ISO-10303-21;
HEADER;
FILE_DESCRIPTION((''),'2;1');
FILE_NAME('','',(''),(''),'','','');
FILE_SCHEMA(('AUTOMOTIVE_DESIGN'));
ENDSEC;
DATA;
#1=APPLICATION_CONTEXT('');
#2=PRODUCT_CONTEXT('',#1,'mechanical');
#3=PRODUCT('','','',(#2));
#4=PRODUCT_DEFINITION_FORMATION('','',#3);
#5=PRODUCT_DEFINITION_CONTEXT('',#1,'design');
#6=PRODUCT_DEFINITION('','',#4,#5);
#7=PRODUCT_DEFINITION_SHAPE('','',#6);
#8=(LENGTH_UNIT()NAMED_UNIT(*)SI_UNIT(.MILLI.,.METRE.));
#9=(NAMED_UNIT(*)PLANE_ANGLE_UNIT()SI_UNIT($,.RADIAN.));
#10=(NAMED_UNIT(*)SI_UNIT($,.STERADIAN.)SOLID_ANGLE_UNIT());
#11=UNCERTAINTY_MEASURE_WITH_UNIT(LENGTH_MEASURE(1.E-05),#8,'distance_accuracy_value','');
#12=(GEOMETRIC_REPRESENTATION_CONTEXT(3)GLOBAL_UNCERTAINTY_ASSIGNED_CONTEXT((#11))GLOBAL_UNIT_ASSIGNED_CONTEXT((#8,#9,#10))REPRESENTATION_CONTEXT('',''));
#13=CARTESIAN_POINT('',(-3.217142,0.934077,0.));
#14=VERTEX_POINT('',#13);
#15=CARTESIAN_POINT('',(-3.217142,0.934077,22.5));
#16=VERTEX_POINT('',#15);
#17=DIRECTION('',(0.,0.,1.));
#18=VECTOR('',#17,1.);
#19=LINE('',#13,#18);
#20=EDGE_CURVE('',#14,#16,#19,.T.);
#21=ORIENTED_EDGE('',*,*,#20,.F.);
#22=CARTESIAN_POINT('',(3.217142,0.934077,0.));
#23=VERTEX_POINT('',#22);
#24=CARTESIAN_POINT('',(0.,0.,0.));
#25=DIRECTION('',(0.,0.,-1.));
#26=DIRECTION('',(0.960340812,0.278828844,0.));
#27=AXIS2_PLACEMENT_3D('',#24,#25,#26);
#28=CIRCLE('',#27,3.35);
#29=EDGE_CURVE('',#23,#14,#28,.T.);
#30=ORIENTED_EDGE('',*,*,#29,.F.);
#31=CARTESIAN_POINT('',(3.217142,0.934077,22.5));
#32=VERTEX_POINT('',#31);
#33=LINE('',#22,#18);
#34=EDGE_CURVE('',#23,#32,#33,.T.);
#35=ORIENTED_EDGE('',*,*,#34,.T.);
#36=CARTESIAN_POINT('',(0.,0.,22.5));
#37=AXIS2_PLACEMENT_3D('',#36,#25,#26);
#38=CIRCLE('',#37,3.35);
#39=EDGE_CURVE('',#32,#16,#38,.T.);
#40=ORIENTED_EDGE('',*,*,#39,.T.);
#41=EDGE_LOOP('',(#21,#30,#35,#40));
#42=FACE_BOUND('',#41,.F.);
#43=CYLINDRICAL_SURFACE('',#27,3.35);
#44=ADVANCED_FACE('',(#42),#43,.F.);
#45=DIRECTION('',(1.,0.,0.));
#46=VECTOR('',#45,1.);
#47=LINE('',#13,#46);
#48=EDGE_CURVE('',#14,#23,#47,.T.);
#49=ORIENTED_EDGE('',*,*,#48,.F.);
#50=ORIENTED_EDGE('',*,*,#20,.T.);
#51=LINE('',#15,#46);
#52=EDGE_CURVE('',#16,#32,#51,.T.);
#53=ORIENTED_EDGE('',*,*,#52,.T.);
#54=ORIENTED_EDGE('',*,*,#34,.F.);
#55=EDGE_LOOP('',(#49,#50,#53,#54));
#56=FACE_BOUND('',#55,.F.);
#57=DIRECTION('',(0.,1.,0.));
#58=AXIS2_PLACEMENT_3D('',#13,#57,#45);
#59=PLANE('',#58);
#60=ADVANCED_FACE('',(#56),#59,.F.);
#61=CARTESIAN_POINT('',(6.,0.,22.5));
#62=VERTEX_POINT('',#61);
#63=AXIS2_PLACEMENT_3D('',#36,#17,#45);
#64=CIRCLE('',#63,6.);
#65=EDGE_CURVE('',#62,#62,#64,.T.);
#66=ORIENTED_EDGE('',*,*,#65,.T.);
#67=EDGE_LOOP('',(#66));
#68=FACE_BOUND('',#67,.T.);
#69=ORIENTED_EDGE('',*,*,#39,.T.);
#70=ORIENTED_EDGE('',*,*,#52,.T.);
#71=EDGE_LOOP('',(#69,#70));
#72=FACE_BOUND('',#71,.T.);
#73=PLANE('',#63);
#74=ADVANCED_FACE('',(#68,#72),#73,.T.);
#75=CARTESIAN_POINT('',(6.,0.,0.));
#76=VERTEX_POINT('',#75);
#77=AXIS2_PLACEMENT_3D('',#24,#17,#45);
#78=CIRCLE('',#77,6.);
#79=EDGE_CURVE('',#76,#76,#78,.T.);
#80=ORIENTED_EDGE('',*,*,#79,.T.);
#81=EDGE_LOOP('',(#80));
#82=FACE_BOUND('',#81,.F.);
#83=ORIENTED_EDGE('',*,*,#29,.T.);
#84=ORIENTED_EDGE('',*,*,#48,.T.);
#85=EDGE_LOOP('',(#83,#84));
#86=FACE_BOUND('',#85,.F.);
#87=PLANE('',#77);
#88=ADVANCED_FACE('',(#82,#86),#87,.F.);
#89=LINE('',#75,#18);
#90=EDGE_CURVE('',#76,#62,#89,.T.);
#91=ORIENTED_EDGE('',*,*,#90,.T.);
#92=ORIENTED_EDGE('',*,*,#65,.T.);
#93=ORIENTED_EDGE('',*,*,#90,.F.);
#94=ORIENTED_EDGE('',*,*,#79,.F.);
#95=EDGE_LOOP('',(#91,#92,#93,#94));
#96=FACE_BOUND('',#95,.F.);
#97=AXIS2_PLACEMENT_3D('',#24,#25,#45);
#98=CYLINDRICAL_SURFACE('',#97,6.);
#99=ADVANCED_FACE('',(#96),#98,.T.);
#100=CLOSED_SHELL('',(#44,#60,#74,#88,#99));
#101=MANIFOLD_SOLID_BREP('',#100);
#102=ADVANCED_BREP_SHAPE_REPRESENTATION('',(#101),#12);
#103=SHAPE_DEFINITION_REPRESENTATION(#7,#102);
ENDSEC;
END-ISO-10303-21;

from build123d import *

# Parameters (mm, degrees)
F0_R     = 6
F1_DEPTH = 22.5


with BuildPart() as f1:
    # F0 (on Top) → F1 (new body)
    with BuildSketch(Plane.XY):
        Circle(F0_R)
        with BuildLine():
            ThreePointArc((-3.217142, 0.934077), (-2.962107, 1.564744), (-2.584923, 2.130885))
            ThreePointArc((-2.584923, 2.130885), (0, 3.35), (2.584923, 2.130885))
            ThreePointArc((2.584923, 2.130885), (2.962107, 1.564744), (3.217142, 0.934077))
            ThreePointArc((3.217142, 0.934077), (0, -3.35), (-3.217142, 0.934077))
        make_face(mode=Mode.SUBTRACT)
        with BuildLine():
            ThreePointArc((2.584923, 2.130885), (0, 3.35), (-2.584923, 2.130885))
            ThreePointArc((-2.584923, 2.130885), (-2.962107, 1.564744), (-3.217142, 0.934077))
            Line((-3.217142, 0.934077), (0, 0.934077))
            Line((0, 0.934077), (3.217142, 0.934077))
            ThreePointArc((3.217142, 0.934077), (2.962107, 1.564744), (2.584923, 2.130885))
        make_face()
    extrude(amount=F1_DEPTH)


solid = f1.part
